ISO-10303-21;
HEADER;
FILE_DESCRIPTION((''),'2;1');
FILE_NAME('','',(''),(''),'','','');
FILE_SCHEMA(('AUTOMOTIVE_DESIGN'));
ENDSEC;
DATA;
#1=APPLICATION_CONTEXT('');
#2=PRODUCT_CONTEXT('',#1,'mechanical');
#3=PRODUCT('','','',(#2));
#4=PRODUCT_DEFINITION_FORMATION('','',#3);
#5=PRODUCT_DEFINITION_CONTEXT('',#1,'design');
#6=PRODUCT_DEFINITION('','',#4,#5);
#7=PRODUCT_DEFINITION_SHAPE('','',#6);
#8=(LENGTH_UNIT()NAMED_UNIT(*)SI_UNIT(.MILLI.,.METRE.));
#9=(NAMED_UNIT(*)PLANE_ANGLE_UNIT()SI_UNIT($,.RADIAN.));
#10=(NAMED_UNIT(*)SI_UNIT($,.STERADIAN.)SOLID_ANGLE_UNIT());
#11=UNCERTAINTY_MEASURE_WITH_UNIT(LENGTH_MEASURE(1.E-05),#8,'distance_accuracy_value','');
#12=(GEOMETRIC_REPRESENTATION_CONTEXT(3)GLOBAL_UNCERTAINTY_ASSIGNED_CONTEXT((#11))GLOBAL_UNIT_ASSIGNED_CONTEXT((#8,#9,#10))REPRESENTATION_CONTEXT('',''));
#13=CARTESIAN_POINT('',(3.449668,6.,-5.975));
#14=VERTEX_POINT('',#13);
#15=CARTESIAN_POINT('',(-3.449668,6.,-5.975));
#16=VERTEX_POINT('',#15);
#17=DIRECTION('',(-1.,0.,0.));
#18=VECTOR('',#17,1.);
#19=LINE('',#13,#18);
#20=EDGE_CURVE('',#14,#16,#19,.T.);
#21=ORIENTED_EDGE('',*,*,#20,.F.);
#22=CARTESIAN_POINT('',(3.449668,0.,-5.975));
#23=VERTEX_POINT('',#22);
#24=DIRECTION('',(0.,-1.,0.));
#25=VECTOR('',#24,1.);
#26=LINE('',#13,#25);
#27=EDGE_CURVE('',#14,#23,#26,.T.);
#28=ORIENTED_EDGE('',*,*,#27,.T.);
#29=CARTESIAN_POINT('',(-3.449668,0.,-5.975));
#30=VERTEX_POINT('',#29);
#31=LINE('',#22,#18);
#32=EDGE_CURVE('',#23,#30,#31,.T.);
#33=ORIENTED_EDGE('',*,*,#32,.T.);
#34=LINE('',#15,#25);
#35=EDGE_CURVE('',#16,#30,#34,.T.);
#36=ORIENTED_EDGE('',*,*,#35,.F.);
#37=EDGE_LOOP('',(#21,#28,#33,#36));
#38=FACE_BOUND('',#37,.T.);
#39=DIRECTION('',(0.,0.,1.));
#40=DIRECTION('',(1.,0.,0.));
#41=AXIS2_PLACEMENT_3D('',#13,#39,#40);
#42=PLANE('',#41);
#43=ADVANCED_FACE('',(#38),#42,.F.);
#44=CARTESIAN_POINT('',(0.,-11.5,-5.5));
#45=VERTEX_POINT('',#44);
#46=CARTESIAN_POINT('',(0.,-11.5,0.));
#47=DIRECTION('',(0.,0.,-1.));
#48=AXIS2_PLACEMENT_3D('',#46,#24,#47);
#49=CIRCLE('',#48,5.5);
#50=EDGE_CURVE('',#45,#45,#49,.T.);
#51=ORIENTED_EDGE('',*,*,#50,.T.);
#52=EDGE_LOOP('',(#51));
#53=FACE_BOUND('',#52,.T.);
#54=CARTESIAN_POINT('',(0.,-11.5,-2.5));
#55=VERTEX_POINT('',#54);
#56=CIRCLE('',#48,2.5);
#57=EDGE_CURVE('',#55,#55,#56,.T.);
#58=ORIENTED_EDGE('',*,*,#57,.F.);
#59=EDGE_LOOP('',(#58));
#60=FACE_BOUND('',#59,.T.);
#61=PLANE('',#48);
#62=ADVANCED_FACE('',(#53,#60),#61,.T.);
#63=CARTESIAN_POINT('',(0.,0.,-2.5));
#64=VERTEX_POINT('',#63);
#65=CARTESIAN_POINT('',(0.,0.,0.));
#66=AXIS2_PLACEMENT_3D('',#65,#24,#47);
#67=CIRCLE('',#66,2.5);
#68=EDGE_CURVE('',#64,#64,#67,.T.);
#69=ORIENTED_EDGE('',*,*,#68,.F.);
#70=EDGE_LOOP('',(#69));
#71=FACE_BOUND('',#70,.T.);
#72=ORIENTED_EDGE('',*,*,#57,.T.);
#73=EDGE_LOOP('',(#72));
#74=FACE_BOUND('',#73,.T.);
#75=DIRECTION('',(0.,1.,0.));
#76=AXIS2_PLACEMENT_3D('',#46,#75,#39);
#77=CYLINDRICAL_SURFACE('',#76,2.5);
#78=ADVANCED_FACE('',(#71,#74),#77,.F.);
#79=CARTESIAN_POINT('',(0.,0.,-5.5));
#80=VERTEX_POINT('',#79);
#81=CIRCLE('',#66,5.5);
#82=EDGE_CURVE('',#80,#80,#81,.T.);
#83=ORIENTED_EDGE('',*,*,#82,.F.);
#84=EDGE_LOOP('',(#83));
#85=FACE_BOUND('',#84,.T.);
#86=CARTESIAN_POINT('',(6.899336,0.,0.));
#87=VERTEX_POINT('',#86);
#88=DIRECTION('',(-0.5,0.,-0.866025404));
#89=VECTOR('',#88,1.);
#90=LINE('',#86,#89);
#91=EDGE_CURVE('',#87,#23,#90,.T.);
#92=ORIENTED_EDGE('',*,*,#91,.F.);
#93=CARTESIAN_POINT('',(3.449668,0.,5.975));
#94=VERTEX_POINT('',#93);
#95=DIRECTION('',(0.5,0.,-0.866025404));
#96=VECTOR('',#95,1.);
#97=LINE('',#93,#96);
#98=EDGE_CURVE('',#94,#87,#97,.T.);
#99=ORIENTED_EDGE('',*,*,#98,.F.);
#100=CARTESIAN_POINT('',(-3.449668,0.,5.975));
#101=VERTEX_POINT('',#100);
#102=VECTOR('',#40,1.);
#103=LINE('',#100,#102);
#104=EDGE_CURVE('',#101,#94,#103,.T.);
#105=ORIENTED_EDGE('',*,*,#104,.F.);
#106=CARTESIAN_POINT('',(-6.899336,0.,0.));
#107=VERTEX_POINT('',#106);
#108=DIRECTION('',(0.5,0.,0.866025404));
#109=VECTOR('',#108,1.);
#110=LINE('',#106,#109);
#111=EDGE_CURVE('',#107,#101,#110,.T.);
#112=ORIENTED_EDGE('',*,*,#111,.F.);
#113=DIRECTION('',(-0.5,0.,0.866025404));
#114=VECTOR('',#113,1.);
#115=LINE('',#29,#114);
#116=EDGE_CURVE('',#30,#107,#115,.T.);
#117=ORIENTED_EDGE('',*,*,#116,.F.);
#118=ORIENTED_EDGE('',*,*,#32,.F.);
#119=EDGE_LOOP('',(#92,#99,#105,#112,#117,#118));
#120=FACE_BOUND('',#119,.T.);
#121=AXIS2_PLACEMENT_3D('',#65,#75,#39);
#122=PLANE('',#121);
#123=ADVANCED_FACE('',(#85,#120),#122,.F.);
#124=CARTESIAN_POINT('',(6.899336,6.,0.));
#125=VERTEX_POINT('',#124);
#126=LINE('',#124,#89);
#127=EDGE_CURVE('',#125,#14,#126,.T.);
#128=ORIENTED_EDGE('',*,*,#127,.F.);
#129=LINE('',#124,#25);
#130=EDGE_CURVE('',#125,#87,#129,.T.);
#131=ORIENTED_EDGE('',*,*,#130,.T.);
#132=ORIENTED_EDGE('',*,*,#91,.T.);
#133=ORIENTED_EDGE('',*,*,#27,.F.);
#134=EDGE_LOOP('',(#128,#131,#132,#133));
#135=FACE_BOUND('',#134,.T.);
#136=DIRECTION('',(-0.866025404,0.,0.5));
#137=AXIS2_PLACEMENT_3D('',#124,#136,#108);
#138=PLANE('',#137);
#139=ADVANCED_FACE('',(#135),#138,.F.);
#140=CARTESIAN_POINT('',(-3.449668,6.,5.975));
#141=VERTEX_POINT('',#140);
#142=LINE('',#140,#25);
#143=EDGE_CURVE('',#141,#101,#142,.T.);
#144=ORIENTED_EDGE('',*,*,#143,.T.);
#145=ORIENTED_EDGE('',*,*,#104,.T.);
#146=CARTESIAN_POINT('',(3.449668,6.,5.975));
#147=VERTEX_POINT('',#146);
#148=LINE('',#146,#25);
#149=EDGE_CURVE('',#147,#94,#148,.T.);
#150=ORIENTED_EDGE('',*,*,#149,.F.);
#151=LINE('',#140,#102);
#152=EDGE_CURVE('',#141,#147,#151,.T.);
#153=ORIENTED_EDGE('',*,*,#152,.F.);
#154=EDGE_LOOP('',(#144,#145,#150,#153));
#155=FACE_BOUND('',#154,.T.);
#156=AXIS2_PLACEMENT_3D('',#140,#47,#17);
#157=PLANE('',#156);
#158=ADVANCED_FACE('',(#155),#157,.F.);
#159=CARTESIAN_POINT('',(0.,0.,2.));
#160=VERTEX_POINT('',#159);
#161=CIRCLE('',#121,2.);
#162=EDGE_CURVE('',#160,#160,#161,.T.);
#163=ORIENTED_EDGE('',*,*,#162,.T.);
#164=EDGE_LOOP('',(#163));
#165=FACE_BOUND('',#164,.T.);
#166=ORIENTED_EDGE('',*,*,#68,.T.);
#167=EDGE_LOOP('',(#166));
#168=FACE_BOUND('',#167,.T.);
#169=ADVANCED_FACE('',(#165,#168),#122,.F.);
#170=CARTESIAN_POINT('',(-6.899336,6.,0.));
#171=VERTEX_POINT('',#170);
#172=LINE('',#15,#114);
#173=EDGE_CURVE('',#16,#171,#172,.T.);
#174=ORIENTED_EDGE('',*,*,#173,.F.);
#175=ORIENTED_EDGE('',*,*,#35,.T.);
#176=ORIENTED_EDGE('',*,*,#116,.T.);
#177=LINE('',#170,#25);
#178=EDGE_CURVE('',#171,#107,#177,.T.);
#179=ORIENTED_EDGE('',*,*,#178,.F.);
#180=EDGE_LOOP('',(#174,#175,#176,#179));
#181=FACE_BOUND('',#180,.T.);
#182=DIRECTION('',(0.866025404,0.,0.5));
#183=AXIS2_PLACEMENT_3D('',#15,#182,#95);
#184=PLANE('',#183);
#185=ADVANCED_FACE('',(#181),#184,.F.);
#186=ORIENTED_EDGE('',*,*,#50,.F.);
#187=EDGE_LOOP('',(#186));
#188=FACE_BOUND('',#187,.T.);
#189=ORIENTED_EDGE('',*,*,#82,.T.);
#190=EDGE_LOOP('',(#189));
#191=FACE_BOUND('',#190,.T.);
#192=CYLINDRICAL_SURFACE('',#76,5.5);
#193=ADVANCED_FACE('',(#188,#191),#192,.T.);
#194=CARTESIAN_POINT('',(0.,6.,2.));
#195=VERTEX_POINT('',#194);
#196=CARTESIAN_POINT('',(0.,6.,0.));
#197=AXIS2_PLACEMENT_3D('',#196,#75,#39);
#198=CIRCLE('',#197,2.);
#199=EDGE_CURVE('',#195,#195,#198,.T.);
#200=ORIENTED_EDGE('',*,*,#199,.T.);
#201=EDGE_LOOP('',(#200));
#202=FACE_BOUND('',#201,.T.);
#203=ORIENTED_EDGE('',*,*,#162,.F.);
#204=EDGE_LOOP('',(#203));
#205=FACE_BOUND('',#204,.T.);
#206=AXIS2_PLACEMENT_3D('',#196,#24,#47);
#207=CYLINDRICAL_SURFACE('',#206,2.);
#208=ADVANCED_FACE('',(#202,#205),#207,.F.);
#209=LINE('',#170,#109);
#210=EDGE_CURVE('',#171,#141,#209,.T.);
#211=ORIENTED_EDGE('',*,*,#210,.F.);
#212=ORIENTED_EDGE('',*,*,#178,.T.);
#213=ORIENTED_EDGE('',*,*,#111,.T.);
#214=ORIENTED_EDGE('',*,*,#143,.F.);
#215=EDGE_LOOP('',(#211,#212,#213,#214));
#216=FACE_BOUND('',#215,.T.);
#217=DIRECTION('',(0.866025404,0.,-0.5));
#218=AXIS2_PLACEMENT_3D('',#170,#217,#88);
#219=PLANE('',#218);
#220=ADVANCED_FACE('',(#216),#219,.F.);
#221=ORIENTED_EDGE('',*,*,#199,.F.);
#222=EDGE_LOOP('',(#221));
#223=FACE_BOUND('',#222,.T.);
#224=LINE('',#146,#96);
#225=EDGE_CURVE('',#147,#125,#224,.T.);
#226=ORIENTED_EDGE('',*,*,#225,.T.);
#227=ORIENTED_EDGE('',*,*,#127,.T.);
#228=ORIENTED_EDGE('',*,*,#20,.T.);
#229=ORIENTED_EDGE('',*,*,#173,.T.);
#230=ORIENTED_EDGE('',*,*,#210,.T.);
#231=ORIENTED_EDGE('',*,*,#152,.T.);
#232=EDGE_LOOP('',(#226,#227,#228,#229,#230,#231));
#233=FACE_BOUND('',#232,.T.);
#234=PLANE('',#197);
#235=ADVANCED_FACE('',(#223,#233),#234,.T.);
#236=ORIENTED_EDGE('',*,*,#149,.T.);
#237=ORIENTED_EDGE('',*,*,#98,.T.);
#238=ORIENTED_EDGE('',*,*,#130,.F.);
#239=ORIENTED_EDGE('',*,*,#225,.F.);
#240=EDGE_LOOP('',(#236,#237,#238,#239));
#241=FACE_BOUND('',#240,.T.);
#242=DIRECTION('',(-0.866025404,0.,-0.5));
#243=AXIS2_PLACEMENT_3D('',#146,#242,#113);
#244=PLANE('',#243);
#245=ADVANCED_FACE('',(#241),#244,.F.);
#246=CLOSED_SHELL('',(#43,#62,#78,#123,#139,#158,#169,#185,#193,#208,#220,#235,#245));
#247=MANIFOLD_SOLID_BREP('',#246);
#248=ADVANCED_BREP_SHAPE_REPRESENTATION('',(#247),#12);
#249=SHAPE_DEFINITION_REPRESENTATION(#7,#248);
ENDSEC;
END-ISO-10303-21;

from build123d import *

# Parameters (mm, degrees)
SKETCH_1_R      = 2
EXTRUDE_1_DEPTH = 6
SKETCH_2_R      = 5.5
SKETCH_2_R_2    = 2.5
EXTRUDE_2_DEPTH = 11.5


with BuildPart() as part:
    # 草图1 → 凸台-拉伸1 (new body)
    with BuildSketch(Plane(origin=(0, 0, 0), x_dir=(1, 0, 0), z_dir=(0, 1, 0))):
        Polygon((6.899335717, 0), (3.449667858, 5.975), (-3.449667858, 5.975), (-6.899335717, 0), (-3.449667858, -5.975), (3.449667858, -5.975), align=None)
        with Locations(Location((0, 0, 0), (0, 0, 270))):
            Circle(SKETCH_1_R, mode=Mode.SUBTRACT)
    extrude(amount=EXTRUDE_1_DEPTH)

    # 草图2 → 凸台-拉伸2 (add)
    with BuildSketch(Plane.XZ):
        with Locations(Location((0, 0, 0), (0, 0, 270))):
            Circle(SKETCH_2_R)
        with Locations(Location((0, 0, 0), (0, 0, 270))):
            Circle(SKETCH_2_R_2, mode=Mode.SUBTRACT)
    extrude(amount=EXTRUDE_2_DEPTH)


solid = part.part
